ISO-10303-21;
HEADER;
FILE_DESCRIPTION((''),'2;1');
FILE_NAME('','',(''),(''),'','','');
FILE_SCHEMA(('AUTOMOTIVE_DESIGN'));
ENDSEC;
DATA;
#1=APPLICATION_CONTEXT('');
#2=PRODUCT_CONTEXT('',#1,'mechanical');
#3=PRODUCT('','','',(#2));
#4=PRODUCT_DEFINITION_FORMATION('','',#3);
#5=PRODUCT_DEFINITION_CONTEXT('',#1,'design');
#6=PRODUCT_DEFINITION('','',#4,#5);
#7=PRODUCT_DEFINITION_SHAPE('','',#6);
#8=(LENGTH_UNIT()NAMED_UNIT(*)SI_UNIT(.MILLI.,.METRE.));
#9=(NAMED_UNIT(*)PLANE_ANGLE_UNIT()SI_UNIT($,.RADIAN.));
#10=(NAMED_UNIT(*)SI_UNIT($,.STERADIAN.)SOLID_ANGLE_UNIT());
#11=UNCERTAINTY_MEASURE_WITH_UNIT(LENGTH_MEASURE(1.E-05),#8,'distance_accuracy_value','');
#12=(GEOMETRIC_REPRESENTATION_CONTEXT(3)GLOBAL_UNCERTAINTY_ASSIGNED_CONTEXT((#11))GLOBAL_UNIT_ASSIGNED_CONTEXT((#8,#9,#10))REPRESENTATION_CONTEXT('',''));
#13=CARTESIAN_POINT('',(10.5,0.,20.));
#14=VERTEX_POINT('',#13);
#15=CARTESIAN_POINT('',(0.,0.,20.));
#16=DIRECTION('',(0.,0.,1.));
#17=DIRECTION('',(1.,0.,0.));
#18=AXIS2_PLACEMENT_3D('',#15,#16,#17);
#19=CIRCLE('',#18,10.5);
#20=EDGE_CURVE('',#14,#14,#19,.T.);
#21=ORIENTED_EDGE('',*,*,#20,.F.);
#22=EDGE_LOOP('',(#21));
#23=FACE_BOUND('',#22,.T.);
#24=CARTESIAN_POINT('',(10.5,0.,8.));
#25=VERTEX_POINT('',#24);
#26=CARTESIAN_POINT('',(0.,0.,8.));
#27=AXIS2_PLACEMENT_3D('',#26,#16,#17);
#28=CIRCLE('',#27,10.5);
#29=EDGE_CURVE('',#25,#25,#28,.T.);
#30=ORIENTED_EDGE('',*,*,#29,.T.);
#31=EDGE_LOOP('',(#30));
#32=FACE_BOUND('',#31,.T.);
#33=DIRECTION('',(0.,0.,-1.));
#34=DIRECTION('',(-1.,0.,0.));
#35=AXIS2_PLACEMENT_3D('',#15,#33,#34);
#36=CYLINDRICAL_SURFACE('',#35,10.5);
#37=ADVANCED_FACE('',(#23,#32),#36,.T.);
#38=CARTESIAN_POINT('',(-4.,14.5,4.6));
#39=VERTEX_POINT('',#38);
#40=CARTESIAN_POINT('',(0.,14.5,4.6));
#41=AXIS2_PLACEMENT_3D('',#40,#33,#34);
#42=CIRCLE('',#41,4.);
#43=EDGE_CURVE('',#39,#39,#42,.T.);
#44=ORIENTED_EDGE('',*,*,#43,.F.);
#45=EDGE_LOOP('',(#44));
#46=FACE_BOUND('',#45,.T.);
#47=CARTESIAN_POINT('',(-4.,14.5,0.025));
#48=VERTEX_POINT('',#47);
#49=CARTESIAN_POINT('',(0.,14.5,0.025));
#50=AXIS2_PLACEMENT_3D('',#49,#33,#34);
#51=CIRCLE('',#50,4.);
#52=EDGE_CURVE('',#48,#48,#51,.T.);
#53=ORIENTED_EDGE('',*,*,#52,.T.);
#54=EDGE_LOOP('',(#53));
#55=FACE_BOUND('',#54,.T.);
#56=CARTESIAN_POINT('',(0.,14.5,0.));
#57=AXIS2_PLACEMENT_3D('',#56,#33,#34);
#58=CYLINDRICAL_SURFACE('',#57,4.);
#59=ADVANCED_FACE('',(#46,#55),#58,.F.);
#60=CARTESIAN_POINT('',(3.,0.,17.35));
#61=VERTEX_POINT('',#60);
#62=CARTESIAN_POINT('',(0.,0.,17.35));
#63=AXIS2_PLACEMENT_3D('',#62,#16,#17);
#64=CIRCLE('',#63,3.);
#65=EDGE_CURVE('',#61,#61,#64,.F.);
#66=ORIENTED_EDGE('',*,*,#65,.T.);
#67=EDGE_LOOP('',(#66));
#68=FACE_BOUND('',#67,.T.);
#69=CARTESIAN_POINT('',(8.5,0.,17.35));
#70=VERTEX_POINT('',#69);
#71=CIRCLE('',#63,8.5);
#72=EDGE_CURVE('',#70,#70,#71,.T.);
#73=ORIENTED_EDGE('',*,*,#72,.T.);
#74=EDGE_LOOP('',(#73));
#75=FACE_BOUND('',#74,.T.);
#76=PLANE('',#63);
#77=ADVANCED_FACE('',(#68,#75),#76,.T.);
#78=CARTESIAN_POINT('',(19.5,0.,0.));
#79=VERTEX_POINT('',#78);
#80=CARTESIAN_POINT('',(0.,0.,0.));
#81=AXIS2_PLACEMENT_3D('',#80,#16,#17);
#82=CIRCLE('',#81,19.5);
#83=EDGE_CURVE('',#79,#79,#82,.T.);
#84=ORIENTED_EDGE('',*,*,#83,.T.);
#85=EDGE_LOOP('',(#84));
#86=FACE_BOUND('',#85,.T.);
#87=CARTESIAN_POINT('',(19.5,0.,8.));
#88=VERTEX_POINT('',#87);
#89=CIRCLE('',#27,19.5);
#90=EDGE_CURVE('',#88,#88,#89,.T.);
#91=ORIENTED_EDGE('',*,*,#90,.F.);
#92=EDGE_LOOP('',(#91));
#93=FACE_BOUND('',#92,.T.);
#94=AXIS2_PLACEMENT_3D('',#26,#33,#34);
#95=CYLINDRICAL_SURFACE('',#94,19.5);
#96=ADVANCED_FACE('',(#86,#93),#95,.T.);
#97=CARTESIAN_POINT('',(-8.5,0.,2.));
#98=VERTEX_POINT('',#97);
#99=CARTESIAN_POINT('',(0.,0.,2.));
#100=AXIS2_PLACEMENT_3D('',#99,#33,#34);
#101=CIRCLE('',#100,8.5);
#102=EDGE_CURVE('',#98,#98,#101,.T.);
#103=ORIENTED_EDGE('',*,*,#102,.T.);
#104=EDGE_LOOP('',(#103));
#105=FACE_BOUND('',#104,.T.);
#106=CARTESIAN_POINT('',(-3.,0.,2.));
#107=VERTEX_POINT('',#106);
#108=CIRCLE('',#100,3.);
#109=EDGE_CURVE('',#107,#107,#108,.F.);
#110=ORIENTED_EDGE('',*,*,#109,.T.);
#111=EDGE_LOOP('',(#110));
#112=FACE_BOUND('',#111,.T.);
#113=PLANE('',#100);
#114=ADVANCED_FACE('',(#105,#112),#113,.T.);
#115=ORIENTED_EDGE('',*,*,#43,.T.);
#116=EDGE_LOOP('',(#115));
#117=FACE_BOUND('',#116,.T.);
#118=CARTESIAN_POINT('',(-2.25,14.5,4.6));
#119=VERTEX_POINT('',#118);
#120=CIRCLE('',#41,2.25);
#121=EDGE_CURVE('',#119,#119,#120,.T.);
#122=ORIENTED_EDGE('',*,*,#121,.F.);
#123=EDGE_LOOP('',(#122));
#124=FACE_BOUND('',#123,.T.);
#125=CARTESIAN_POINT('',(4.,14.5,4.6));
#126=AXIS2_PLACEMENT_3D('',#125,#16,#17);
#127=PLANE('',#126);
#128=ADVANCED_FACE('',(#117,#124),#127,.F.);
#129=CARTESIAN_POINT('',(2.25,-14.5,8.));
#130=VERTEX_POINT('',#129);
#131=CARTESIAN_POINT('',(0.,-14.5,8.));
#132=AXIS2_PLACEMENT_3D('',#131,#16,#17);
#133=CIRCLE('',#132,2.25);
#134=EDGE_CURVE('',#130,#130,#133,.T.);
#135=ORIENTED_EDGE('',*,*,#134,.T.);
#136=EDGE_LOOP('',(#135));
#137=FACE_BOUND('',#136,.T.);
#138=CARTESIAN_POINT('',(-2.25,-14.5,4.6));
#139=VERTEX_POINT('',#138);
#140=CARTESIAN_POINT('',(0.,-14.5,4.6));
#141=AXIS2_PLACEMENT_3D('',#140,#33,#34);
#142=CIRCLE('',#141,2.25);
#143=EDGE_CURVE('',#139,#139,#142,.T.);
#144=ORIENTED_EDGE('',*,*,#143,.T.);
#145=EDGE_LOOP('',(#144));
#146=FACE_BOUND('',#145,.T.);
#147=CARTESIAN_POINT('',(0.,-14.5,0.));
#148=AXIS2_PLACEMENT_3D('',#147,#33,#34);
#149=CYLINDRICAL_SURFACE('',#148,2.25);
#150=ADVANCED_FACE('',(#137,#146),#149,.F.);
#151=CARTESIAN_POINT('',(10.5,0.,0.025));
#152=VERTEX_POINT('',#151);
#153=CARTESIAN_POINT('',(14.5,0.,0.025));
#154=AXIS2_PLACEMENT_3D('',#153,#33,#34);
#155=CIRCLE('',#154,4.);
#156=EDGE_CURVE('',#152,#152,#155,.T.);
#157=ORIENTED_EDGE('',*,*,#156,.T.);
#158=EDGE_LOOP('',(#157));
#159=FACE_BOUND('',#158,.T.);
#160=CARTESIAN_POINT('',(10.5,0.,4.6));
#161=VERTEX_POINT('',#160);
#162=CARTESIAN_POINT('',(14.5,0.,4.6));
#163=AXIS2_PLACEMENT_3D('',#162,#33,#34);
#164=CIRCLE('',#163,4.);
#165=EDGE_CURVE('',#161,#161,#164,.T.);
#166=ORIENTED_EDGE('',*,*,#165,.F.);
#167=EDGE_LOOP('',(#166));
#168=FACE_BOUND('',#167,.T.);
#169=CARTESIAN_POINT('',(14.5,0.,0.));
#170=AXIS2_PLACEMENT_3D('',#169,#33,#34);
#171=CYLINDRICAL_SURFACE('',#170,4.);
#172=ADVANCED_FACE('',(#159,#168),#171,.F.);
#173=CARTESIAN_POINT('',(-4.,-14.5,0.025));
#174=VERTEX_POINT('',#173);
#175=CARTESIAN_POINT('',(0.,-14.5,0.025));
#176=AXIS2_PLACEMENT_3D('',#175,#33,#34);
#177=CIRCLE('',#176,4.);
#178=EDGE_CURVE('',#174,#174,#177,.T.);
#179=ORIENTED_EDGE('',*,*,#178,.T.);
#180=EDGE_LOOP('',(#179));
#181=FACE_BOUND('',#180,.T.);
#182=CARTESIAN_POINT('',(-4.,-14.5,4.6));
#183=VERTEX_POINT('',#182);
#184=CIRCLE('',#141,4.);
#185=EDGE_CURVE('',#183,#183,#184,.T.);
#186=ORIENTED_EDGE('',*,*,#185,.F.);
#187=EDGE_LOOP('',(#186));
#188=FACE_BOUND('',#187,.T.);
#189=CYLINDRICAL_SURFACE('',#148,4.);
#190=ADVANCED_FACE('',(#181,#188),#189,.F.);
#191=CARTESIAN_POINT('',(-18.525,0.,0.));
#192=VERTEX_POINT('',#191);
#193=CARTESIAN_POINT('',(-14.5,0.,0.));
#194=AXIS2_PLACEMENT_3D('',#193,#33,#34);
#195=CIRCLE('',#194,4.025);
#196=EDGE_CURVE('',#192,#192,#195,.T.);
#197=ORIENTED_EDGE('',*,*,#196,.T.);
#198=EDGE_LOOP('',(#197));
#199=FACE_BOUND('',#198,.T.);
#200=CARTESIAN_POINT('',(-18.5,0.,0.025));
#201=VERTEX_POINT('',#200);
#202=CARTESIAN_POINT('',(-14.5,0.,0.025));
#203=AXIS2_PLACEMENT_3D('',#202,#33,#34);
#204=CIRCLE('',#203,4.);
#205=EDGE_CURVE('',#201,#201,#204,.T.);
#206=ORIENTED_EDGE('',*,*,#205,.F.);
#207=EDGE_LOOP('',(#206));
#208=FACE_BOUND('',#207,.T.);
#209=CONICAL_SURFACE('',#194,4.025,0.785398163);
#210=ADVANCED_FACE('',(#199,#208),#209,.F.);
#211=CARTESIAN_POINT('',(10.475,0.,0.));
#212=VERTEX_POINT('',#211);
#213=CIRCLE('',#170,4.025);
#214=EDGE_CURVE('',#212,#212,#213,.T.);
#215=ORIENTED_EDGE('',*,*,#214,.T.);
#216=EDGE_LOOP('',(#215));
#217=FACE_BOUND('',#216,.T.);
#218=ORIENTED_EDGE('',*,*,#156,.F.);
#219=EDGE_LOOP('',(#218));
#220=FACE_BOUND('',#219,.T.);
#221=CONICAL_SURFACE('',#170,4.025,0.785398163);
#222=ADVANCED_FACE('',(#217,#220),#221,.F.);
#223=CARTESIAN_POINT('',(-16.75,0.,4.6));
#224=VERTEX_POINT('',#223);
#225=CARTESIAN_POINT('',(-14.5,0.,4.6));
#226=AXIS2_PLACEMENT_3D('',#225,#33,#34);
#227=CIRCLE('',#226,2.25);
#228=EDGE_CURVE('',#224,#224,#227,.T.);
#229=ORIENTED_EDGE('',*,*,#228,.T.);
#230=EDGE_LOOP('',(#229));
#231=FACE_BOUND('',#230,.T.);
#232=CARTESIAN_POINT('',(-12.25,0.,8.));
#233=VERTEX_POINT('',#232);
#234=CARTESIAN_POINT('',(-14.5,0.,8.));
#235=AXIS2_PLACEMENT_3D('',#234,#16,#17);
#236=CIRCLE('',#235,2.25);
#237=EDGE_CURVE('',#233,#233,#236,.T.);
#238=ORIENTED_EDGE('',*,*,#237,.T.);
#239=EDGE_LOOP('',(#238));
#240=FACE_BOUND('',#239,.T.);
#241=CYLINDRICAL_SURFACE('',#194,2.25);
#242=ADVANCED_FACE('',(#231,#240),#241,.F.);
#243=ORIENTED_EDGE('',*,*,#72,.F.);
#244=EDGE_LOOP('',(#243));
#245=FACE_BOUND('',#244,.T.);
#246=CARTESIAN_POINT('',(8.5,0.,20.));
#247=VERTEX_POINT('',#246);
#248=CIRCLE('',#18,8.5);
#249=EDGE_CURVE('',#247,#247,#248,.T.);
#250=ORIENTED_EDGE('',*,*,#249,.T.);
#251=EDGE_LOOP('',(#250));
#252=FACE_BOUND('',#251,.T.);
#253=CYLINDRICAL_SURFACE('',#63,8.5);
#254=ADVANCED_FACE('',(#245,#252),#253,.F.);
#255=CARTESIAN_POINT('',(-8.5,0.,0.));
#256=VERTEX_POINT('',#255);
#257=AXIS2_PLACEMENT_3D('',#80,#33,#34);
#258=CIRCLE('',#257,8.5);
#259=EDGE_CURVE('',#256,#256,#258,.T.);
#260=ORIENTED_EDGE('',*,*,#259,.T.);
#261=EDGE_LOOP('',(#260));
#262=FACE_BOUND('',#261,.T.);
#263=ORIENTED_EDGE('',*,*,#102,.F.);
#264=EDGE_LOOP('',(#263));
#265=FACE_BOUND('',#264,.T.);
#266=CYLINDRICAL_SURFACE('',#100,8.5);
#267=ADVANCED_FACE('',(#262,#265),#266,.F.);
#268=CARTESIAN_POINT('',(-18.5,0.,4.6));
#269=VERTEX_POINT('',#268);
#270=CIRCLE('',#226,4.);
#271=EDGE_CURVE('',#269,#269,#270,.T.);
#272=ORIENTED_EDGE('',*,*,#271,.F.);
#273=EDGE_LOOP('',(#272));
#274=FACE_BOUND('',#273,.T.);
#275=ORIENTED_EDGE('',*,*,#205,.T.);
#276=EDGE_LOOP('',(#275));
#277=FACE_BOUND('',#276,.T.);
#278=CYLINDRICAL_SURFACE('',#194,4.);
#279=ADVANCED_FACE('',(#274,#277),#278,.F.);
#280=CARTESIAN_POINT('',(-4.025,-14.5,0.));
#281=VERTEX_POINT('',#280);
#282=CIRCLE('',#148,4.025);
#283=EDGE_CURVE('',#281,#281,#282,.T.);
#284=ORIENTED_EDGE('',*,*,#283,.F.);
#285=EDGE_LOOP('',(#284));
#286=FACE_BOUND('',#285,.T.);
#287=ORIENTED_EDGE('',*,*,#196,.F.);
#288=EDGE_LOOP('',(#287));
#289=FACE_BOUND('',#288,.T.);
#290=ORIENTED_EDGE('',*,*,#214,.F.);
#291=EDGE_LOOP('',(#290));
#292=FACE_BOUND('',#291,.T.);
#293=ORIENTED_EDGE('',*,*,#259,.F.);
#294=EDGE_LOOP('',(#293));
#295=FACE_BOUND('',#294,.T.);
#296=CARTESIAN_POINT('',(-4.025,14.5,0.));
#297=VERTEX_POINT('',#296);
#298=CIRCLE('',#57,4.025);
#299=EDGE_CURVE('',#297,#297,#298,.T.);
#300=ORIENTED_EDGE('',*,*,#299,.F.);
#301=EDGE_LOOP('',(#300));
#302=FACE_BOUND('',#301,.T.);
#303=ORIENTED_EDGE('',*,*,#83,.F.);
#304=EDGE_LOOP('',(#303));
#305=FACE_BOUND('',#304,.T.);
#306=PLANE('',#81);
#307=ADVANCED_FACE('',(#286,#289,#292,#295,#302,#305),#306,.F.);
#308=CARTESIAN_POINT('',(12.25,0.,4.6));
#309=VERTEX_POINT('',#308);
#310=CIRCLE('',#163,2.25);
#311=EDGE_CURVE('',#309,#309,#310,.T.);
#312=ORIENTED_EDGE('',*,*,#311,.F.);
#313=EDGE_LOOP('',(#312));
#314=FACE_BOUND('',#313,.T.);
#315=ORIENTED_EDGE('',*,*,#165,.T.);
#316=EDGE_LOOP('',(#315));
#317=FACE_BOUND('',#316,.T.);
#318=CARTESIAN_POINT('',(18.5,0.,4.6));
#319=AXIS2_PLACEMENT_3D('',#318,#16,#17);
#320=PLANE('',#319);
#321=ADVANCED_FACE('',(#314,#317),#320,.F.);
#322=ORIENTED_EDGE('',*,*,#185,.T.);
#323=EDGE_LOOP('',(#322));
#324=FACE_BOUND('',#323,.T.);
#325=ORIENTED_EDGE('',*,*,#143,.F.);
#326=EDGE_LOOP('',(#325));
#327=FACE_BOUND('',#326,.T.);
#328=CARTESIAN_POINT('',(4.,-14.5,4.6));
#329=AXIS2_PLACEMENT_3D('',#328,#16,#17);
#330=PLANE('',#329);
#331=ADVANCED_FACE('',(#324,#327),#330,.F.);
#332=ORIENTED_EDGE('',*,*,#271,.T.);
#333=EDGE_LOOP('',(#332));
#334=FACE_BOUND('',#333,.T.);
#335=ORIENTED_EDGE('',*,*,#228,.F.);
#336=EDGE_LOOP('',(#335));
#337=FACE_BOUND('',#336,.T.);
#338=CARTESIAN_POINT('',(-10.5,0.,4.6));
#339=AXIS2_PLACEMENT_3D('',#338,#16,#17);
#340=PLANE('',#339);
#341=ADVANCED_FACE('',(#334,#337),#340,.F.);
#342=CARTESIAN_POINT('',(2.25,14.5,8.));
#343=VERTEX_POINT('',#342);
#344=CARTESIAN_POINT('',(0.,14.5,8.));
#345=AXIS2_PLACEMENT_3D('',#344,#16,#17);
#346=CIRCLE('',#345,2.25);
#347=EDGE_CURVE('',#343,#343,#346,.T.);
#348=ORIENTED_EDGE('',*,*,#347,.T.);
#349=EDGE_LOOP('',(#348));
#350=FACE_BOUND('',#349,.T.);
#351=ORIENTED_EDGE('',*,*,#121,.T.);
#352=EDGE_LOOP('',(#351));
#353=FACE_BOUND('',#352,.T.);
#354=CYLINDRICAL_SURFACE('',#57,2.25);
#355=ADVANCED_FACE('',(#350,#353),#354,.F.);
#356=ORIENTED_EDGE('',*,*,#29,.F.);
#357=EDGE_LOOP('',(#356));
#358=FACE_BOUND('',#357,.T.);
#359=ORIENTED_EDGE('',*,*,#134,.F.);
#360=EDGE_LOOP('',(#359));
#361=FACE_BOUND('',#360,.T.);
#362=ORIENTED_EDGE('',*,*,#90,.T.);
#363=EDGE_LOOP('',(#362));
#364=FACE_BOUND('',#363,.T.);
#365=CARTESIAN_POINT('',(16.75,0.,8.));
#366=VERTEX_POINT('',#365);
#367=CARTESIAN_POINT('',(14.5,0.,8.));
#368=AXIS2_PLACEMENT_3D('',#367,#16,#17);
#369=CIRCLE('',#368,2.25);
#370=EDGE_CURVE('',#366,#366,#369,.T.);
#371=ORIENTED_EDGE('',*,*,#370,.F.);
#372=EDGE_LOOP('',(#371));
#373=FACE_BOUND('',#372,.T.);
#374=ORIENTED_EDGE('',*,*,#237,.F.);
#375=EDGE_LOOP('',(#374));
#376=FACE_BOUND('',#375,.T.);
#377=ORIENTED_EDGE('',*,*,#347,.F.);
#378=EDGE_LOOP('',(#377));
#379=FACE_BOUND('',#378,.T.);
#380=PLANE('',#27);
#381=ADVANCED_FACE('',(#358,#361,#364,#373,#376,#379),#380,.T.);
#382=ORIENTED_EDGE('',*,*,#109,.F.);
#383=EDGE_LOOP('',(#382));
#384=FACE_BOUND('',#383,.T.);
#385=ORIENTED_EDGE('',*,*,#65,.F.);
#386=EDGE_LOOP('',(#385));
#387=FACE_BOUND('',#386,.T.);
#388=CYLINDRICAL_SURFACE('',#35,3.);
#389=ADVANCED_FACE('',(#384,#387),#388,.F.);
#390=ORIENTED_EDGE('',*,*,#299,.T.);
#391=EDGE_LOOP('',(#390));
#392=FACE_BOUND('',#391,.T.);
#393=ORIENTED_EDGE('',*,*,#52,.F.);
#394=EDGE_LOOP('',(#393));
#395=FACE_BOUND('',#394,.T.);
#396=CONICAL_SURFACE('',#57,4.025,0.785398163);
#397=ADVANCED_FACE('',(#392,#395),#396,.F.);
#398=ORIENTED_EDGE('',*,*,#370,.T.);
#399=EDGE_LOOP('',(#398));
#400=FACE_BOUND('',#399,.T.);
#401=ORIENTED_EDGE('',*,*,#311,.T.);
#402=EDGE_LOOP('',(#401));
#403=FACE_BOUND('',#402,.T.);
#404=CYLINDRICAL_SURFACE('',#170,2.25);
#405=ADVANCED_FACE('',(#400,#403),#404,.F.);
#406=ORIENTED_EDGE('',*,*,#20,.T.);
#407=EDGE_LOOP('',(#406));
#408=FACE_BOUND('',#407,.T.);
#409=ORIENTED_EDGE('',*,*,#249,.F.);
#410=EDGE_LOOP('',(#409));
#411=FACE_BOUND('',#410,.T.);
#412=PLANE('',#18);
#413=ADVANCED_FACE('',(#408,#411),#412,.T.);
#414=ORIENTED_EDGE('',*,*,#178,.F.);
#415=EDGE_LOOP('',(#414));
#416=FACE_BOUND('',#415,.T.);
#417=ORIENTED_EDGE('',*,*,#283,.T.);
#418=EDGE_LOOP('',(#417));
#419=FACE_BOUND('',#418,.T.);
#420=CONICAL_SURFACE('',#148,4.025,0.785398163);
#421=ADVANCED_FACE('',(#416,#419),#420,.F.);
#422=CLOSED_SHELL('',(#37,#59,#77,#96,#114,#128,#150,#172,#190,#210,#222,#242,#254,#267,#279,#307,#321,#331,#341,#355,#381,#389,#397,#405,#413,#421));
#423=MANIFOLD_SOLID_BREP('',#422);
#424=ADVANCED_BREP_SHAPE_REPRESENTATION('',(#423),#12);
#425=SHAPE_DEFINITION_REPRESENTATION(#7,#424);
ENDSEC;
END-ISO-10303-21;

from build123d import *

# Parameters (mm, degrees)
SKETCH_1_R               = 19.5
EXTRUDE_1_DEPTH          = 8
SKETCH_2_R               = 10.5
EXTRUDE_2_DEPTH          = 12
SKETCH_3_R               = 3
CUT_EXTRUDE_1_DEPTH      = 35.066112194
SKETCH_4_R               = 8.5
CUT_EXTRUDE_3_DEPTH      = 2.65
CUT_EXTRUDE_START        = -2
SKETCH_5_R               = 8.5
CUT_EXTRUDE_4_DEPTH      = 2
PATTERN_CIRCULAR_1_COUNT = 4


with BuildPart() as part:
    # 草图1 → 凸台-拉伸1 (new body)
    with BuildSketch(Plane.XY):
        Circle(SKETCH_1_R)
    extrude(amount=EXTRUDE_1_DEPTH)

    # 草图2 → 凸台-拉伸2 (add)
    with BuildSketch(Plane.XY.offset(8)):
        Circle(SKETCH_2_R)
    extrude(amount=EXTRUDE_2_DEPTH)

    # 草图3 → 切除-拉伸1 (cut, through all)
    with BuildSketch(Plane(origin=(0, 0, 0), x_dir=(-1, 0, 0), z_dir=(0, 0, -1))):
        Circle(SKETCH_3_R)
    extrude(amount=-CUT_EXTRUDE_1_DEPTH, mode=Mode.SUBTRACT)

    # 草图4 → 切除-拉伸3 (cut)
    with BuildSketch(Plane.XY.offset(20)):
        Circle(SKETCH_4_R)
    extrude(amount=-CUT_EXTRUDE_3_DEPTH, mode=Mode.SUBTRACT)

    # 草图5 → 切除-拉伸4 (cut)
    with BuildSketch(Plane(origin=(0, 0, 0), x_dir=(-1, 0, 0), z_dir=(0, 0, -1)).offset(CUT_EXTRUDE_START)):
        with Locations(Location((0, 0, 0), (0, 0, 180))):
            Circle(SKETCH_5_R)
    extrude(amount=CUT_EXTRUDE_4_DEPTH, mode=Mode.SUBTRACT)

    # 草图7 → M4 六角圆柱头螺钉的柱形沉头孔1 (revolve, cut)
    with BuildSketch(Plane(origin=(0, 14.5, 0), x_dir=(0, 1, 0), z_dir=(1, 0, 0))):
        Polygon((0, 0), (0, 20), (2.25, 20), (2.25, 4.6), (4, 4.6), (4, 0.025), (4.025, 0), align=None)
    hole_wizard_m4_1 = revolve(axis=Axis((0, 14.5, -6.35), (0, 0, 1)), mode=Mode.SUBTRACT)

    # 阵列(圆周)1: M4 六角圆柱头螺钉的柱形沉头孔1 ×4 about axis
    pattern_circular_1_axis = Axis((0, 0, 0), (0, 0, 1))
    for i in range(1, PATTERN_CIRCULAR_1_COUNT):
        add(hole_wizard_m4_1.rotate(pattern_circular_1_axis, i * 360 / PATTERN_CIRCULAR_1_COUNT), mode=Mode.SUBTRACT)


solid = part.part
